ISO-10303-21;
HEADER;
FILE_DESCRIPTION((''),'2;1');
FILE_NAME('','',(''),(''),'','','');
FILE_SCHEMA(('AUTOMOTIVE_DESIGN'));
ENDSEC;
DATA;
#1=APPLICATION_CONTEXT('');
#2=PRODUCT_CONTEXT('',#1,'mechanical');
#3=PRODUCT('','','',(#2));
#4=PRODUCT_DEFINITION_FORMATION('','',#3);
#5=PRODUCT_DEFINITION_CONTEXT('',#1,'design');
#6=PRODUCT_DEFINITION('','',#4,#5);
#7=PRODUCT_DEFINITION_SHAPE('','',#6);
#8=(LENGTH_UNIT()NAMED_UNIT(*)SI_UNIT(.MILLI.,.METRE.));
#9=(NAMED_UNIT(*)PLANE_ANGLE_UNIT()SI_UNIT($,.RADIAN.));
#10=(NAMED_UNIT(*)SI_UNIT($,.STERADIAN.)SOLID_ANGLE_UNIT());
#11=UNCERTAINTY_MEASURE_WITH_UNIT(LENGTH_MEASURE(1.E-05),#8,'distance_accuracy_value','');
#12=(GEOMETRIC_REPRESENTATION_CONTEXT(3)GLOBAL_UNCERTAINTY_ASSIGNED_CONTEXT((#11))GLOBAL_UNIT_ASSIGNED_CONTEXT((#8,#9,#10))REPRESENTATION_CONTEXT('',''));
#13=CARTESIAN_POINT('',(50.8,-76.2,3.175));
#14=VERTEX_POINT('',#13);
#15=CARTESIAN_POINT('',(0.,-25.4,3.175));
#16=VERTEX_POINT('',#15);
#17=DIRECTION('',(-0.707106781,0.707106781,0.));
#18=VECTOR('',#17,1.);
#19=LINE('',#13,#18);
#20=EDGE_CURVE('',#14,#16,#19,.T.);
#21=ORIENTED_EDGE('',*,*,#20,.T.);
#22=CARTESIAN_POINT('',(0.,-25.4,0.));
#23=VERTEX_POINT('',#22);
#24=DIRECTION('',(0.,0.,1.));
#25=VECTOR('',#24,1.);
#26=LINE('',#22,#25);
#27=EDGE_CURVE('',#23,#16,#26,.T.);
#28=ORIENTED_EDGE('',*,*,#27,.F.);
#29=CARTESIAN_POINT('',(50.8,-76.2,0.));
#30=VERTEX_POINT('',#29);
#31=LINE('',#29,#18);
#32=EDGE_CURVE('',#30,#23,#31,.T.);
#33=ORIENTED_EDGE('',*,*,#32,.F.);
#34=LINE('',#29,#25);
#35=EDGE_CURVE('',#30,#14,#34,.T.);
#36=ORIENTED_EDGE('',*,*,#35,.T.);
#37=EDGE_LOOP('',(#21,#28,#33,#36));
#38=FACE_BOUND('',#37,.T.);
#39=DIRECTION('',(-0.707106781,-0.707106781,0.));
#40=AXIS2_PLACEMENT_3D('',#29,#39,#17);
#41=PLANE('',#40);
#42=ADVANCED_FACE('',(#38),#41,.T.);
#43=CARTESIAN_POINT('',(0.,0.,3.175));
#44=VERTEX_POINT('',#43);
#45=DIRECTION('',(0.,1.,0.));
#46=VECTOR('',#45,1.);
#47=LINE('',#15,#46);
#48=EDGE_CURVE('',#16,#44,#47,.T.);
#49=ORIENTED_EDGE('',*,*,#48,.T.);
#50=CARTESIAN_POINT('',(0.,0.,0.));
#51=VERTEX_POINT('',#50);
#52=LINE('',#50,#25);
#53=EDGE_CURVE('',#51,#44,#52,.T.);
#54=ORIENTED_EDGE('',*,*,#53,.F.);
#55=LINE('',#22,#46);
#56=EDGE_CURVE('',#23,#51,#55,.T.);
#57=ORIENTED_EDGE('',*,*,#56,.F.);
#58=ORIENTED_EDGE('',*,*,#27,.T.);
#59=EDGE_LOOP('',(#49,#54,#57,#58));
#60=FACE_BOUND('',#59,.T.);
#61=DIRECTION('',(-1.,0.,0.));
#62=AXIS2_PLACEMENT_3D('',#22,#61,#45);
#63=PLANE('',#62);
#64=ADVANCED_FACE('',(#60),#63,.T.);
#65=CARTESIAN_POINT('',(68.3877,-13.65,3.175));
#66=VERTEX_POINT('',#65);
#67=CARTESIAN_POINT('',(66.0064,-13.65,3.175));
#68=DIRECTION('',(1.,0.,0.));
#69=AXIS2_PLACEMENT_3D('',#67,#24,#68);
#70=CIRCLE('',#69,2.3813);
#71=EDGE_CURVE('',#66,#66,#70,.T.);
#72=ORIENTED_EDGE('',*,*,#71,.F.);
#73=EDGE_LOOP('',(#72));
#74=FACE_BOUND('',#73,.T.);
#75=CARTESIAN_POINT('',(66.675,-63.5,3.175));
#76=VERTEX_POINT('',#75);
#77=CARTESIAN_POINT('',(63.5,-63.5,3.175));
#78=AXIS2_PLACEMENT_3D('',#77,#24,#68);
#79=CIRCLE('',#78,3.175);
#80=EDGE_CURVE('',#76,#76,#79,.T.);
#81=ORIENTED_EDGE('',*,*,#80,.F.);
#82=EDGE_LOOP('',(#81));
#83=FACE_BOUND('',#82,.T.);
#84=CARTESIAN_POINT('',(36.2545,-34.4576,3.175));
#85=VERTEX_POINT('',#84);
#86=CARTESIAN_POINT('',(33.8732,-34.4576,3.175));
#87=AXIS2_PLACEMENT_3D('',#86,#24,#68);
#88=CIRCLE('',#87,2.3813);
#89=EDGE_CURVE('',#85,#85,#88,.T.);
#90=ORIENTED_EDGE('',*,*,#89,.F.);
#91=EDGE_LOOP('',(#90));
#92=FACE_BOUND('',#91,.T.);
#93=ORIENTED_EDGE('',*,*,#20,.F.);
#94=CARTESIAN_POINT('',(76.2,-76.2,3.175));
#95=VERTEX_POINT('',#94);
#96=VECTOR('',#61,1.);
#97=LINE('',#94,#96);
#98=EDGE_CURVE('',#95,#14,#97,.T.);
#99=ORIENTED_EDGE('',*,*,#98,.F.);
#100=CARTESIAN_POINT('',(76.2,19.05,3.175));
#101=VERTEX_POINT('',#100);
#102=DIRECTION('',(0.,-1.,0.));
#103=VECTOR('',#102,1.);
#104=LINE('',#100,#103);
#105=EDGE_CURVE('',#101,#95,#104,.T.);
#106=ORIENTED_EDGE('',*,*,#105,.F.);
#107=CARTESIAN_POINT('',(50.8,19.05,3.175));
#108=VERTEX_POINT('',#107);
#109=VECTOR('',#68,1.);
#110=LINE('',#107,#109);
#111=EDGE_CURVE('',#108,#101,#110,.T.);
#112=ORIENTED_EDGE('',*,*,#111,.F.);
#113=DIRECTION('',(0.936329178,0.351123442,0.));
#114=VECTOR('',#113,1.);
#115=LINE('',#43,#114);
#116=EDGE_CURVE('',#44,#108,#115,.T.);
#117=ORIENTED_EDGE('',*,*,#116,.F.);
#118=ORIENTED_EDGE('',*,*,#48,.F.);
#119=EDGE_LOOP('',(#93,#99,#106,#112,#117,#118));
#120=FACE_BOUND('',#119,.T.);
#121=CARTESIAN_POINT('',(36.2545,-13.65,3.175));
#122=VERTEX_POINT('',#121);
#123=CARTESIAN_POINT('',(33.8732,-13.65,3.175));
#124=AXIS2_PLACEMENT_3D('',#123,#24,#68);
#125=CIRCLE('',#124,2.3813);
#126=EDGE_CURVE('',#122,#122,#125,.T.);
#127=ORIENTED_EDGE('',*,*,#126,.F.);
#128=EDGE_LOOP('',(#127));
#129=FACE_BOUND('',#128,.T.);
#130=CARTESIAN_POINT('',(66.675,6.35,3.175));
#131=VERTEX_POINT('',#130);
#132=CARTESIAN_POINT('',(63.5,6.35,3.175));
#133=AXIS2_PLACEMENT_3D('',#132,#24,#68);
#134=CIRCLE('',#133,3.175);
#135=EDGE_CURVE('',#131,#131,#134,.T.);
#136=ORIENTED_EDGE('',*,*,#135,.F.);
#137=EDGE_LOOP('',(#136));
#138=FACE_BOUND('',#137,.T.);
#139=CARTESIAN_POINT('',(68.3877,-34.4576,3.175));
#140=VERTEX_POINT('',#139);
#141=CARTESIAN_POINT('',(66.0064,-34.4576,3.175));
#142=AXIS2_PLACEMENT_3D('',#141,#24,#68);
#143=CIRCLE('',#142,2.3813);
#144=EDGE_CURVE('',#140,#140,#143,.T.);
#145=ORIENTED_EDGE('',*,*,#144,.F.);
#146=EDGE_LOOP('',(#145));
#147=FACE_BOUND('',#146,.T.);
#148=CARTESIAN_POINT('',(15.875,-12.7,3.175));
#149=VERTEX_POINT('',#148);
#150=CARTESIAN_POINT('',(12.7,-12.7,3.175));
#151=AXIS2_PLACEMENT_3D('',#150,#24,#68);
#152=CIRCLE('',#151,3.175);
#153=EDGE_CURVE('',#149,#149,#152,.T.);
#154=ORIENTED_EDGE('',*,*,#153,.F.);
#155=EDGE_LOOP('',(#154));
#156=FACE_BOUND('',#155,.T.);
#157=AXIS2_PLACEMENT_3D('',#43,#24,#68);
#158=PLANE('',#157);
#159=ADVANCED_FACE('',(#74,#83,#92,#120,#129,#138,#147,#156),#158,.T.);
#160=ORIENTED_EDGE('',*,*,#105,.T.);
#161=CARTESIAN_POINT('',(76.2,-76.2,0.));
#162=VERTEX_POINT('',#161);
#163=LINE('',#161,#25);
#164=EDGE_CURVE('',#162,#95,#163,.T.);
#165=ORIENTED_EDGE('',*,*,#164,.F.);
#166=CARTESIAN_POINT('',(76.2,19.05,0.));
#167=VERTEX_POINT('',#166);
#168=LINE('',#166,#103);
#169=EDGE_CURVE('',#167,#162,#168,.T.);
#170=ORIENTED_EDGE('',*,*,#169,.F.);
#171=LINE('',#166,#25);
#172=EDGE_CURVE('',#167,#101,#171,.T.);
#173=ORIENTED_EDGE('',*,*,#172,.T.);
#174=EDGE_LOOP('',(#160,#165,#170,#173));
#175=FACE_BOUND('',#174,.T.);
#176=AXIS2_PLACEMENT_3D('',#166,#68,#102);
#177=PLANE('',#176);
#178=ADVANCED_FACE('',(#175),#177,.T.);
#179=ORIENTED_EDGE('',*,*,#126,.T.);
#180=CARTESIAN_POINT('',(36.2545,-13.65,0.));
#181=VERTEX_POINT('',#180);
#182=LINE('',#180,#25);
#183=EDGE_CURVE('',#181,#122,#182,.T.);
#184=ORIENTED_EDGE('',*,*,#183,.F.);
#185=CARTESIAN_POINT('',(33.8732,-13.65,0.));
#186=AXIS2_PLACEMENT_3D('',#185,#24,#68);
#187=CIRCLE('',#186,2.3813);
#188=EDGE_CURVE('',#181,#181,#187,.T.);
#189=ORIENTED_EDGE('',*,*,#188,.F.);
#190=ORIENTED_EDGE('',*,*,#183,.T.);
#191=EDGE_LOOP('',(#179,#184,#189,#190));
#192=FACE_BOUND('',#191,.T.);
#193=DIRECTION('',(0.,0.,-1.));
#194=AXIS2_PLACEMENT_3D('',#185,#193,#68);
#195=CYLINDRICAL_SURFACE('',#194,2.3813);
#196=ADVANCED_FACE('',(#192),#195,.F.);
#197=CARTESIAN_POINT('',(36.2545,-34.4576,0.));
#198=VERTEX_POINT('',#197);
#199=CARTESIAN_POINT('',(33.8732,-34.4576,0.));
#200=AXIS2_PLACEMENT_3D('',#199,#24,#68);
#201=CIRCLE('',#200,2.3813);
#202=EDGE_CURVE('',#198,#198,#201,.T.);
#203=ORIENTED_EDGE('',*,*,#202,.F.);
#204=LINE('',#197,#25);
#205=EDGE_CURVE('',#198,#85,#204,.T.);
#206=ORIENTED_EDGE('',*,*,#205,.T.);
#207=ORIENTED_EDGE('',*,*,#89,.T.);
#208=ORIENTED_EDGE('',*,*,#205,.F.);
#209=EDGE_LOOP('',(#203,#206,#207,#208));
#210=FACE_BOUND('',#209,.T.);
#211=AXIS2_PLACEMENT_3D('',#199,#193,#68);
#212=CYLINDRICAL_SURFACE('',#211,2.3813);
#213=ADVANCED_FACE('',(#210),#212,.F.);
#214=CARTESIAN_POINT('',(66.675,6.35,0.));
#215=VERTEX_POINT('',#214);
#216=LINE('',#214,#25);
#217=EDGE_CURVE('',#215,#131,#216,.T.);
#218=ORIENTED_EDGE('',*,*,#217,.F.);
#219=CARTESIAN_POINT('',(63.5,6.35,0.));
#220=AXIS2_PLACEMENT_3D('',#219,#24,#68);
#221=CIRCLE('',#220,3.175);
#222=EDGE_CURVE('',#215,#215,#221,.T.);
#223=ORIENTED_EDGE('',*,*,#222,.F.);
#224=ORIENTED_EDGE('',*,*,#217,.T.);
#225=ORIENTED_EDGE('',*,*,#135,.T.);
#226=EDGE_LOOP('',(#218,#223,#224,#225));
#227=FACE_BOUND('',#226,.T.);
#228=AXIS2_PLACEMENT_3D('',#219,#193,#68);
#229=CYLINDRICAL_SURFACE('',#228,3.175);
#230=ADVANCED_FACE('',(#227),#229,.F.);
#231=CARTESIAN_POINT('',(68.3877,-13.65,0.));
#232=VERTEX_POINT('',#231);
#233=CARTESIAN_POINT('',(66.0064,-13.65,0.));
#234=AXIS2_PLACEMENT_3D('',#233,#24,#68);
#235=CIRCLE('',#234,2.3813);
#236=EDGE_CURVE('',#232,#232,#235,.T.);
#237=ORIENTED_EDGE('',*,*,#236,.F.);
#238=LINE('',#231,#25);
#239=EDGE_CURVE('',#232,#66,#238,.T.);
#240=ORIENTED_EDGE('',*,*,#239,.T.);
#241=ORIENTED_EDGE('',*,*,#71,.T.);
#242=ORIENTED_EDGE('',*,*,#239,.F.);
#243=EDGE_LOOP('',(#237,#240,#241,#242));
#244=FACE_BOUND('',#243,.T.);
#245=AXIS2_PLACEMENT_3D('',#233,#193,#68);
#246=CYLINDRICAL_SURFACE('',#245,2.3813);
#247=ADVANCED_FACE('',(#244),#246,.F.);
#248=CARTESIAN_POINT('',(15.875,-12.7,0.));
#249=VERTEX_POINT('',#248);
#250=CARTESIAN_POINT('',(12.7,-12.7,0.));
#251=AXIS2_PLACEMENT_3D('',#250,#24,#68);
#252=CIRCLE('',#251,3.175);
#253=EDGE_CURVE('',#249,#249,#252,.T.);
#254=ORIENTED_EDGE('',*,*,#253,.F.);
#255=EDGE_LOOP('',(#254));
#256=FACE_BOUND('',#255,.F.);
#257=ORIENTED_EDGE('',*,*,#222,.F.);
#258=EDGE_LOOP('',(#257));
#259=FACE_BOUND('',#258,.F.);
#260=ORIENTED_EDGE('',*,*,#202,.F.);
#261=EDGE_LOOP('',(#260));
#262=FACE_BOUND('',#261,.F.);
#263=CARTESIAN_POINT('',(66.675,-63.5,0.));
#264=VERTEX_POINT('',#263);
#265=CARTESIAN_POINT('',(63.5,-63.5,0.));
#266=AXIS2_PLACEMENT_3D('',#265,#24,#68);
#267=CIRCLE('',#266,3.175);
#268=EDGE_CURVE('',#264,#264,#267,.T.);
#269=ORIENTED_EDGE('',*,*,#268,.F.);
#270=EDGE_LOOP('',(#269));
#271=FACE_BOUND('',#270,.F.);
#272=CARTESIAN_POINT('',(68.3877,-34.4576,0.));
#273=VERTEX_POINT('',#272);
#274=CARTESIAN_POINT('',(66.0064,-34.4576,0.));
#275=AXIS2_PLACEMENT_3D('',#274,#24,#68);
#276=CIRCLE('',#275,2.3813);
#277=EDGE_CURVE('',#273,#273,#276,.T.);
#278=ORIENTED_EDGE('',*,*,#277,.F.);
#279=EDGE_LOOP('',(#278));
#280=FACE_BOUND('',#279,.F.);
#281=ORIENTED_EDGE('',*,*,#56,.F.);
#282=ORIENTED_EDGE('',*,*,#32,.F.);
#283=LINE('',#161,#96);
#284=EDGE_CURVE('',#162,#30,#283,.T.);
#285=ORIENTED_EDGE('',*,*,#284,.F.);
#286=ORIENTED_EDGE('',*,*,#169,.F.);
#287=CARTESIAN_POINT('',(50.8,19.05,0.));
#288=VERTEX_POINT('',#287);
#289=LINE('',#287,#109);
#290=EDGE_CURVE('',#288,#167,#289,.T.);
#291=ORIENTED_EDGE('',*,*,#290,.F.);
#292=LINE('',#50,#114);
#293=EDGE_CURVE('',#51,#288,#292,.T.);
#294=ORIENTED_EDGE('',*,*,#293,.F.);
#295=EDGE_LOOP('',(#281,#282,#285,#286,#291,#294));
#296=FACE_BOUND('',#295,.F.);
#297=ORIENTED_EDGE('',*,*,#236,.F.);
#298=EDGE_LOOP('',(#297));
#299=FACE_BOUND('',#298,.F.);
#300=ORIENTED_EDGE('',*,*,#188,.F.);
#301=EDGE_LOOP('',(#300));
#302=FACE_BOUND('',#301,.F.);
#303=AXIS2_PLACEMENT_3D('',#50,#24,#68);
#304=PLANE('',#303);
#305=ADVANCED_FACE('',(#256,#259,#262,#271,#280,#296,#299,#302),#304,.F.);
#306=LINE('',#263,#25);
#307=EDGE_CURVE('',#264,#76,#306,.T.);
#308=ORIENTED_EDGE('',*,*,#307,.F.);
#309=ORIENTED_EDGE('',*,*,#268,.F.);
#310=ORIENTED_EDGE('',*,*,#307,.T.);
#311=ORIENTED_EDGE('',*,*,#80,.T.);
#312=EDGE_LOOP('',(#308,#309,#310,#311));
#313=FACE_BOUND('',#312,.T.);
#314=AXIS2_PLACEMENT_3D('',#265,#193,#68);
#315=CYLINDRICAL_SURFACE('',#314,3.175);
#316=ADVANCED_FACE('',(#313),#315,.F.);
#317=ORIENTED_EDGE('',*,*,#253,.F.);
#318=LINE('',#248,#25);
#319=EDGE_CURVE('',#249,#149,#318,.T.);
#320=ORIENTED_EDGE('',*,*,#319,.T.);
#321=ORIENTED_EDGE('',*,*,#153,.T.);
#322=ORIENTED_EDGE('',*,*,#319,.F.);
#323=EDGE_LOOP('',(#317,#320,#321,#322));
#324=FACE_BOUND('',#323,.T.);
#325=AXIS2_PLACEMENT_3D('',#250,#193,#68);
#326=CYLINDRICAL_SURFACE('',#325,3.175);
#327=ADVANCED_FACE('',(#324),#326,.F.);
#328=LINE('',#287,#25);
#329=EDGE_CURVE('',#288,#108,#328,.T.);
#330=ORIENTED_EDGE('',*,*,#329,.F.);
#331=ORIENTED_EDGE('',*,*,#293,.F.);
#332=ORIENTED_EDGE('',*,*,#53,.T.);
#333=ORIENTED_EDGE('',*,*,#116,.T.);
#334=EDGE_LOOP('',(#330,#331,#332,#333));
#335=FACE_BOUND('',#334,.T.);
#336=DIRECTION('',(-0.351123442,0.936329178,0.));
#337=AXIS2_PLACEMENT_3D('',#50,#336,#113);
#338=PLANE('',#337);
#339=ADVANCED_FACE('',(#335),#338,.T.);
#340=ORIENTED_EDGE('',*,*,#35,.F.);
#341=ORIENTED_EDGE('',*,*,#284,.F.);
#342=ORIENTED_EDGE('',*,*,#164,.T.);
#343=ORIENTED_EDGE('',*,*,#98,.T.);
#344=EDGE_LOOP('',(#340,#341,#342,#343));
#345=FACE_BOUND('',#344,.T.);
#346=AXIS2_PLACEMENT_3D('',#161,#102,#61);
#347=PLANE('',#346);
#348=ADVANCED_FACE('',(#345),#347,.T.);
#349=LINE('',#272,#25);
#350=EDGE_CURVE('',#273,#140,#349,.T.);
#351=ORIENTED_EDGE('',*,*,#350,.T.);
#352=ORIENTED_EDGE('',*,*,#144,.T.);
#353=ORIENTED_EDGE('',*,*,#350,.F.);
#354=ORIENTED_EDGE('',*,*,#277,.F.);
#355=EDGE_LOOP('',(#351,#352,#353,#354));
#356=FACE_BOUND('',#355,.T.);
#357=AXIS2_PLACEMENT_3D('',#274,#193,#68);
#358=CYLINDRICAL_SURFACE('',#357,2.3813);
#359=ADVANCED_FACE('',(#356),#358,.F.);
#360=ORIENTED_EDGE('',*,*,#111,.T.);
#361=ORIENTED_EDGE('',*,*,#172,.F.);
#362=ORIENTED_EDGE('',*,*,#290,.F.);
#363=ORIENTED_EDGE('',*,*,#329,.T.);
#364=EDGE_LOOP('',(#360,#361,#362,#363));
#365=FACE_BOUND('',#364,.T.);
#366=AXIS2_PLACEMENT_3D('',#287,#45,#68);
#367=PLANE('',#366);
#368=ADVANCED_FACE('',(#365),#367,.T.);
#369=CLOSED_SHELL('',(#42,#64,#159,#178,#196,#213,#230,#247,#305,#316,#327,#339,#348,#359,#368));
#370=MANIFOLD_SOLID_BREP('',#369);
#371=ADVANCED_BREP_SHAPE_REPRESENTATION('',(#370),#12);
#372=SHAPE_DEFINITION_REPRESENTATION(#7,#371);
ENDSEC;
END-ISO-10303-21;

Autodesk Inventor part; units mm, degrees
ref_plane "YZ Plane" through (0, 0, 0) normal (1, 0, 0) x (0, 1, 0)
ref_plane "XZ Plane" through (0, 0, 0) normal (0, 1, 0) x (-1, 0, 0)
ref_plane "XY Plane" through (0, 0, 0) normal (0, 0, 1) x (1, 0, 0)
sketch "Sketch1" plane through (0, 0, 0) normal (0, 0, 1) x (1, 0, 0)
  line L0 (0, 0) -> (50.8, 19.05)
  line L1 (50.8, 19.05) -> (76.2, 19.05)
  line L2 (76.2, 19.05) -> (76.2, -76.2)
  line L3 (76.2, -76.2) -> (50.8, -76.2)
  line L4 (50.8, -76.2) -> (0, -25.4)
  line L5 (0, -25.4) -> (0, 0)
  line L6 (76.2, -6.35) -> (26.8732, -6.35) construction
  line L7 (26.8732, -6.35) -> (26.8732, -41.7576) construction
  line L8 (26.8732, -41.7576) -> (76.2, -41.7576) construction
  line L9 (76.2, -41.7576) -> (76.2, -6.35) construction
  circle A0 centre (33.8732, -13.65) radius 2.3813
  circle A1 centre (66.0064, -13.65) radius 2.3813
  circle A2 centre (33.8732, -34.4576) radius 2.3813
  circle A3 centre (66.0064, -34.4576) radius 2.3813
  line L10 (0, 0) -> (76.2, 0) construction
  circle A4 centre (12.7, -12.7) radius 3.175
  circle A5 centre (63.5, -63.5) radius 3.175
  circle A6 centre (63.5, 6.35) radius 3.175
  dimension "d0" = 25.4
  dimension "d1" = 95.25
  dimension "d2" = 19.05
  dimension "d3" = 76.2
  dimension "d4" = 25.4
  dimension "d5" = 25.4
  dimension "d6" = 49.3268
  dimension "d7" = 35.4076
  dimension "d8" = 25.4
  dimension "d9" = 4.7625
  dimension "d10" = 7.3
  dimension "d11" = 7.3
  dimension "d12" = 7.3
  dimension "d13" = 7.3
  dimension "d14" = 10.1936
  dimension "d15" = 10.1936
  dimension "d16" = 7
  dimension "d17" = 7
  dimension "d18" = 6.35
  dimension "d19" = 12.7
  dimension "d20" = 12.7
  dimension "d21" = 6.35
  dimension "d22" = 6.35
  dimension "d23" = 12.7
  dimension "d24" = 12.7
  dimension "d25" = 12.7
  dimension "d26" = 12.7
extrude "Extrusion1" add sketch "Sketch1" along normal blind 3.175
properties part number "15102898-16-P-0309" material "Aluminum 6061"
